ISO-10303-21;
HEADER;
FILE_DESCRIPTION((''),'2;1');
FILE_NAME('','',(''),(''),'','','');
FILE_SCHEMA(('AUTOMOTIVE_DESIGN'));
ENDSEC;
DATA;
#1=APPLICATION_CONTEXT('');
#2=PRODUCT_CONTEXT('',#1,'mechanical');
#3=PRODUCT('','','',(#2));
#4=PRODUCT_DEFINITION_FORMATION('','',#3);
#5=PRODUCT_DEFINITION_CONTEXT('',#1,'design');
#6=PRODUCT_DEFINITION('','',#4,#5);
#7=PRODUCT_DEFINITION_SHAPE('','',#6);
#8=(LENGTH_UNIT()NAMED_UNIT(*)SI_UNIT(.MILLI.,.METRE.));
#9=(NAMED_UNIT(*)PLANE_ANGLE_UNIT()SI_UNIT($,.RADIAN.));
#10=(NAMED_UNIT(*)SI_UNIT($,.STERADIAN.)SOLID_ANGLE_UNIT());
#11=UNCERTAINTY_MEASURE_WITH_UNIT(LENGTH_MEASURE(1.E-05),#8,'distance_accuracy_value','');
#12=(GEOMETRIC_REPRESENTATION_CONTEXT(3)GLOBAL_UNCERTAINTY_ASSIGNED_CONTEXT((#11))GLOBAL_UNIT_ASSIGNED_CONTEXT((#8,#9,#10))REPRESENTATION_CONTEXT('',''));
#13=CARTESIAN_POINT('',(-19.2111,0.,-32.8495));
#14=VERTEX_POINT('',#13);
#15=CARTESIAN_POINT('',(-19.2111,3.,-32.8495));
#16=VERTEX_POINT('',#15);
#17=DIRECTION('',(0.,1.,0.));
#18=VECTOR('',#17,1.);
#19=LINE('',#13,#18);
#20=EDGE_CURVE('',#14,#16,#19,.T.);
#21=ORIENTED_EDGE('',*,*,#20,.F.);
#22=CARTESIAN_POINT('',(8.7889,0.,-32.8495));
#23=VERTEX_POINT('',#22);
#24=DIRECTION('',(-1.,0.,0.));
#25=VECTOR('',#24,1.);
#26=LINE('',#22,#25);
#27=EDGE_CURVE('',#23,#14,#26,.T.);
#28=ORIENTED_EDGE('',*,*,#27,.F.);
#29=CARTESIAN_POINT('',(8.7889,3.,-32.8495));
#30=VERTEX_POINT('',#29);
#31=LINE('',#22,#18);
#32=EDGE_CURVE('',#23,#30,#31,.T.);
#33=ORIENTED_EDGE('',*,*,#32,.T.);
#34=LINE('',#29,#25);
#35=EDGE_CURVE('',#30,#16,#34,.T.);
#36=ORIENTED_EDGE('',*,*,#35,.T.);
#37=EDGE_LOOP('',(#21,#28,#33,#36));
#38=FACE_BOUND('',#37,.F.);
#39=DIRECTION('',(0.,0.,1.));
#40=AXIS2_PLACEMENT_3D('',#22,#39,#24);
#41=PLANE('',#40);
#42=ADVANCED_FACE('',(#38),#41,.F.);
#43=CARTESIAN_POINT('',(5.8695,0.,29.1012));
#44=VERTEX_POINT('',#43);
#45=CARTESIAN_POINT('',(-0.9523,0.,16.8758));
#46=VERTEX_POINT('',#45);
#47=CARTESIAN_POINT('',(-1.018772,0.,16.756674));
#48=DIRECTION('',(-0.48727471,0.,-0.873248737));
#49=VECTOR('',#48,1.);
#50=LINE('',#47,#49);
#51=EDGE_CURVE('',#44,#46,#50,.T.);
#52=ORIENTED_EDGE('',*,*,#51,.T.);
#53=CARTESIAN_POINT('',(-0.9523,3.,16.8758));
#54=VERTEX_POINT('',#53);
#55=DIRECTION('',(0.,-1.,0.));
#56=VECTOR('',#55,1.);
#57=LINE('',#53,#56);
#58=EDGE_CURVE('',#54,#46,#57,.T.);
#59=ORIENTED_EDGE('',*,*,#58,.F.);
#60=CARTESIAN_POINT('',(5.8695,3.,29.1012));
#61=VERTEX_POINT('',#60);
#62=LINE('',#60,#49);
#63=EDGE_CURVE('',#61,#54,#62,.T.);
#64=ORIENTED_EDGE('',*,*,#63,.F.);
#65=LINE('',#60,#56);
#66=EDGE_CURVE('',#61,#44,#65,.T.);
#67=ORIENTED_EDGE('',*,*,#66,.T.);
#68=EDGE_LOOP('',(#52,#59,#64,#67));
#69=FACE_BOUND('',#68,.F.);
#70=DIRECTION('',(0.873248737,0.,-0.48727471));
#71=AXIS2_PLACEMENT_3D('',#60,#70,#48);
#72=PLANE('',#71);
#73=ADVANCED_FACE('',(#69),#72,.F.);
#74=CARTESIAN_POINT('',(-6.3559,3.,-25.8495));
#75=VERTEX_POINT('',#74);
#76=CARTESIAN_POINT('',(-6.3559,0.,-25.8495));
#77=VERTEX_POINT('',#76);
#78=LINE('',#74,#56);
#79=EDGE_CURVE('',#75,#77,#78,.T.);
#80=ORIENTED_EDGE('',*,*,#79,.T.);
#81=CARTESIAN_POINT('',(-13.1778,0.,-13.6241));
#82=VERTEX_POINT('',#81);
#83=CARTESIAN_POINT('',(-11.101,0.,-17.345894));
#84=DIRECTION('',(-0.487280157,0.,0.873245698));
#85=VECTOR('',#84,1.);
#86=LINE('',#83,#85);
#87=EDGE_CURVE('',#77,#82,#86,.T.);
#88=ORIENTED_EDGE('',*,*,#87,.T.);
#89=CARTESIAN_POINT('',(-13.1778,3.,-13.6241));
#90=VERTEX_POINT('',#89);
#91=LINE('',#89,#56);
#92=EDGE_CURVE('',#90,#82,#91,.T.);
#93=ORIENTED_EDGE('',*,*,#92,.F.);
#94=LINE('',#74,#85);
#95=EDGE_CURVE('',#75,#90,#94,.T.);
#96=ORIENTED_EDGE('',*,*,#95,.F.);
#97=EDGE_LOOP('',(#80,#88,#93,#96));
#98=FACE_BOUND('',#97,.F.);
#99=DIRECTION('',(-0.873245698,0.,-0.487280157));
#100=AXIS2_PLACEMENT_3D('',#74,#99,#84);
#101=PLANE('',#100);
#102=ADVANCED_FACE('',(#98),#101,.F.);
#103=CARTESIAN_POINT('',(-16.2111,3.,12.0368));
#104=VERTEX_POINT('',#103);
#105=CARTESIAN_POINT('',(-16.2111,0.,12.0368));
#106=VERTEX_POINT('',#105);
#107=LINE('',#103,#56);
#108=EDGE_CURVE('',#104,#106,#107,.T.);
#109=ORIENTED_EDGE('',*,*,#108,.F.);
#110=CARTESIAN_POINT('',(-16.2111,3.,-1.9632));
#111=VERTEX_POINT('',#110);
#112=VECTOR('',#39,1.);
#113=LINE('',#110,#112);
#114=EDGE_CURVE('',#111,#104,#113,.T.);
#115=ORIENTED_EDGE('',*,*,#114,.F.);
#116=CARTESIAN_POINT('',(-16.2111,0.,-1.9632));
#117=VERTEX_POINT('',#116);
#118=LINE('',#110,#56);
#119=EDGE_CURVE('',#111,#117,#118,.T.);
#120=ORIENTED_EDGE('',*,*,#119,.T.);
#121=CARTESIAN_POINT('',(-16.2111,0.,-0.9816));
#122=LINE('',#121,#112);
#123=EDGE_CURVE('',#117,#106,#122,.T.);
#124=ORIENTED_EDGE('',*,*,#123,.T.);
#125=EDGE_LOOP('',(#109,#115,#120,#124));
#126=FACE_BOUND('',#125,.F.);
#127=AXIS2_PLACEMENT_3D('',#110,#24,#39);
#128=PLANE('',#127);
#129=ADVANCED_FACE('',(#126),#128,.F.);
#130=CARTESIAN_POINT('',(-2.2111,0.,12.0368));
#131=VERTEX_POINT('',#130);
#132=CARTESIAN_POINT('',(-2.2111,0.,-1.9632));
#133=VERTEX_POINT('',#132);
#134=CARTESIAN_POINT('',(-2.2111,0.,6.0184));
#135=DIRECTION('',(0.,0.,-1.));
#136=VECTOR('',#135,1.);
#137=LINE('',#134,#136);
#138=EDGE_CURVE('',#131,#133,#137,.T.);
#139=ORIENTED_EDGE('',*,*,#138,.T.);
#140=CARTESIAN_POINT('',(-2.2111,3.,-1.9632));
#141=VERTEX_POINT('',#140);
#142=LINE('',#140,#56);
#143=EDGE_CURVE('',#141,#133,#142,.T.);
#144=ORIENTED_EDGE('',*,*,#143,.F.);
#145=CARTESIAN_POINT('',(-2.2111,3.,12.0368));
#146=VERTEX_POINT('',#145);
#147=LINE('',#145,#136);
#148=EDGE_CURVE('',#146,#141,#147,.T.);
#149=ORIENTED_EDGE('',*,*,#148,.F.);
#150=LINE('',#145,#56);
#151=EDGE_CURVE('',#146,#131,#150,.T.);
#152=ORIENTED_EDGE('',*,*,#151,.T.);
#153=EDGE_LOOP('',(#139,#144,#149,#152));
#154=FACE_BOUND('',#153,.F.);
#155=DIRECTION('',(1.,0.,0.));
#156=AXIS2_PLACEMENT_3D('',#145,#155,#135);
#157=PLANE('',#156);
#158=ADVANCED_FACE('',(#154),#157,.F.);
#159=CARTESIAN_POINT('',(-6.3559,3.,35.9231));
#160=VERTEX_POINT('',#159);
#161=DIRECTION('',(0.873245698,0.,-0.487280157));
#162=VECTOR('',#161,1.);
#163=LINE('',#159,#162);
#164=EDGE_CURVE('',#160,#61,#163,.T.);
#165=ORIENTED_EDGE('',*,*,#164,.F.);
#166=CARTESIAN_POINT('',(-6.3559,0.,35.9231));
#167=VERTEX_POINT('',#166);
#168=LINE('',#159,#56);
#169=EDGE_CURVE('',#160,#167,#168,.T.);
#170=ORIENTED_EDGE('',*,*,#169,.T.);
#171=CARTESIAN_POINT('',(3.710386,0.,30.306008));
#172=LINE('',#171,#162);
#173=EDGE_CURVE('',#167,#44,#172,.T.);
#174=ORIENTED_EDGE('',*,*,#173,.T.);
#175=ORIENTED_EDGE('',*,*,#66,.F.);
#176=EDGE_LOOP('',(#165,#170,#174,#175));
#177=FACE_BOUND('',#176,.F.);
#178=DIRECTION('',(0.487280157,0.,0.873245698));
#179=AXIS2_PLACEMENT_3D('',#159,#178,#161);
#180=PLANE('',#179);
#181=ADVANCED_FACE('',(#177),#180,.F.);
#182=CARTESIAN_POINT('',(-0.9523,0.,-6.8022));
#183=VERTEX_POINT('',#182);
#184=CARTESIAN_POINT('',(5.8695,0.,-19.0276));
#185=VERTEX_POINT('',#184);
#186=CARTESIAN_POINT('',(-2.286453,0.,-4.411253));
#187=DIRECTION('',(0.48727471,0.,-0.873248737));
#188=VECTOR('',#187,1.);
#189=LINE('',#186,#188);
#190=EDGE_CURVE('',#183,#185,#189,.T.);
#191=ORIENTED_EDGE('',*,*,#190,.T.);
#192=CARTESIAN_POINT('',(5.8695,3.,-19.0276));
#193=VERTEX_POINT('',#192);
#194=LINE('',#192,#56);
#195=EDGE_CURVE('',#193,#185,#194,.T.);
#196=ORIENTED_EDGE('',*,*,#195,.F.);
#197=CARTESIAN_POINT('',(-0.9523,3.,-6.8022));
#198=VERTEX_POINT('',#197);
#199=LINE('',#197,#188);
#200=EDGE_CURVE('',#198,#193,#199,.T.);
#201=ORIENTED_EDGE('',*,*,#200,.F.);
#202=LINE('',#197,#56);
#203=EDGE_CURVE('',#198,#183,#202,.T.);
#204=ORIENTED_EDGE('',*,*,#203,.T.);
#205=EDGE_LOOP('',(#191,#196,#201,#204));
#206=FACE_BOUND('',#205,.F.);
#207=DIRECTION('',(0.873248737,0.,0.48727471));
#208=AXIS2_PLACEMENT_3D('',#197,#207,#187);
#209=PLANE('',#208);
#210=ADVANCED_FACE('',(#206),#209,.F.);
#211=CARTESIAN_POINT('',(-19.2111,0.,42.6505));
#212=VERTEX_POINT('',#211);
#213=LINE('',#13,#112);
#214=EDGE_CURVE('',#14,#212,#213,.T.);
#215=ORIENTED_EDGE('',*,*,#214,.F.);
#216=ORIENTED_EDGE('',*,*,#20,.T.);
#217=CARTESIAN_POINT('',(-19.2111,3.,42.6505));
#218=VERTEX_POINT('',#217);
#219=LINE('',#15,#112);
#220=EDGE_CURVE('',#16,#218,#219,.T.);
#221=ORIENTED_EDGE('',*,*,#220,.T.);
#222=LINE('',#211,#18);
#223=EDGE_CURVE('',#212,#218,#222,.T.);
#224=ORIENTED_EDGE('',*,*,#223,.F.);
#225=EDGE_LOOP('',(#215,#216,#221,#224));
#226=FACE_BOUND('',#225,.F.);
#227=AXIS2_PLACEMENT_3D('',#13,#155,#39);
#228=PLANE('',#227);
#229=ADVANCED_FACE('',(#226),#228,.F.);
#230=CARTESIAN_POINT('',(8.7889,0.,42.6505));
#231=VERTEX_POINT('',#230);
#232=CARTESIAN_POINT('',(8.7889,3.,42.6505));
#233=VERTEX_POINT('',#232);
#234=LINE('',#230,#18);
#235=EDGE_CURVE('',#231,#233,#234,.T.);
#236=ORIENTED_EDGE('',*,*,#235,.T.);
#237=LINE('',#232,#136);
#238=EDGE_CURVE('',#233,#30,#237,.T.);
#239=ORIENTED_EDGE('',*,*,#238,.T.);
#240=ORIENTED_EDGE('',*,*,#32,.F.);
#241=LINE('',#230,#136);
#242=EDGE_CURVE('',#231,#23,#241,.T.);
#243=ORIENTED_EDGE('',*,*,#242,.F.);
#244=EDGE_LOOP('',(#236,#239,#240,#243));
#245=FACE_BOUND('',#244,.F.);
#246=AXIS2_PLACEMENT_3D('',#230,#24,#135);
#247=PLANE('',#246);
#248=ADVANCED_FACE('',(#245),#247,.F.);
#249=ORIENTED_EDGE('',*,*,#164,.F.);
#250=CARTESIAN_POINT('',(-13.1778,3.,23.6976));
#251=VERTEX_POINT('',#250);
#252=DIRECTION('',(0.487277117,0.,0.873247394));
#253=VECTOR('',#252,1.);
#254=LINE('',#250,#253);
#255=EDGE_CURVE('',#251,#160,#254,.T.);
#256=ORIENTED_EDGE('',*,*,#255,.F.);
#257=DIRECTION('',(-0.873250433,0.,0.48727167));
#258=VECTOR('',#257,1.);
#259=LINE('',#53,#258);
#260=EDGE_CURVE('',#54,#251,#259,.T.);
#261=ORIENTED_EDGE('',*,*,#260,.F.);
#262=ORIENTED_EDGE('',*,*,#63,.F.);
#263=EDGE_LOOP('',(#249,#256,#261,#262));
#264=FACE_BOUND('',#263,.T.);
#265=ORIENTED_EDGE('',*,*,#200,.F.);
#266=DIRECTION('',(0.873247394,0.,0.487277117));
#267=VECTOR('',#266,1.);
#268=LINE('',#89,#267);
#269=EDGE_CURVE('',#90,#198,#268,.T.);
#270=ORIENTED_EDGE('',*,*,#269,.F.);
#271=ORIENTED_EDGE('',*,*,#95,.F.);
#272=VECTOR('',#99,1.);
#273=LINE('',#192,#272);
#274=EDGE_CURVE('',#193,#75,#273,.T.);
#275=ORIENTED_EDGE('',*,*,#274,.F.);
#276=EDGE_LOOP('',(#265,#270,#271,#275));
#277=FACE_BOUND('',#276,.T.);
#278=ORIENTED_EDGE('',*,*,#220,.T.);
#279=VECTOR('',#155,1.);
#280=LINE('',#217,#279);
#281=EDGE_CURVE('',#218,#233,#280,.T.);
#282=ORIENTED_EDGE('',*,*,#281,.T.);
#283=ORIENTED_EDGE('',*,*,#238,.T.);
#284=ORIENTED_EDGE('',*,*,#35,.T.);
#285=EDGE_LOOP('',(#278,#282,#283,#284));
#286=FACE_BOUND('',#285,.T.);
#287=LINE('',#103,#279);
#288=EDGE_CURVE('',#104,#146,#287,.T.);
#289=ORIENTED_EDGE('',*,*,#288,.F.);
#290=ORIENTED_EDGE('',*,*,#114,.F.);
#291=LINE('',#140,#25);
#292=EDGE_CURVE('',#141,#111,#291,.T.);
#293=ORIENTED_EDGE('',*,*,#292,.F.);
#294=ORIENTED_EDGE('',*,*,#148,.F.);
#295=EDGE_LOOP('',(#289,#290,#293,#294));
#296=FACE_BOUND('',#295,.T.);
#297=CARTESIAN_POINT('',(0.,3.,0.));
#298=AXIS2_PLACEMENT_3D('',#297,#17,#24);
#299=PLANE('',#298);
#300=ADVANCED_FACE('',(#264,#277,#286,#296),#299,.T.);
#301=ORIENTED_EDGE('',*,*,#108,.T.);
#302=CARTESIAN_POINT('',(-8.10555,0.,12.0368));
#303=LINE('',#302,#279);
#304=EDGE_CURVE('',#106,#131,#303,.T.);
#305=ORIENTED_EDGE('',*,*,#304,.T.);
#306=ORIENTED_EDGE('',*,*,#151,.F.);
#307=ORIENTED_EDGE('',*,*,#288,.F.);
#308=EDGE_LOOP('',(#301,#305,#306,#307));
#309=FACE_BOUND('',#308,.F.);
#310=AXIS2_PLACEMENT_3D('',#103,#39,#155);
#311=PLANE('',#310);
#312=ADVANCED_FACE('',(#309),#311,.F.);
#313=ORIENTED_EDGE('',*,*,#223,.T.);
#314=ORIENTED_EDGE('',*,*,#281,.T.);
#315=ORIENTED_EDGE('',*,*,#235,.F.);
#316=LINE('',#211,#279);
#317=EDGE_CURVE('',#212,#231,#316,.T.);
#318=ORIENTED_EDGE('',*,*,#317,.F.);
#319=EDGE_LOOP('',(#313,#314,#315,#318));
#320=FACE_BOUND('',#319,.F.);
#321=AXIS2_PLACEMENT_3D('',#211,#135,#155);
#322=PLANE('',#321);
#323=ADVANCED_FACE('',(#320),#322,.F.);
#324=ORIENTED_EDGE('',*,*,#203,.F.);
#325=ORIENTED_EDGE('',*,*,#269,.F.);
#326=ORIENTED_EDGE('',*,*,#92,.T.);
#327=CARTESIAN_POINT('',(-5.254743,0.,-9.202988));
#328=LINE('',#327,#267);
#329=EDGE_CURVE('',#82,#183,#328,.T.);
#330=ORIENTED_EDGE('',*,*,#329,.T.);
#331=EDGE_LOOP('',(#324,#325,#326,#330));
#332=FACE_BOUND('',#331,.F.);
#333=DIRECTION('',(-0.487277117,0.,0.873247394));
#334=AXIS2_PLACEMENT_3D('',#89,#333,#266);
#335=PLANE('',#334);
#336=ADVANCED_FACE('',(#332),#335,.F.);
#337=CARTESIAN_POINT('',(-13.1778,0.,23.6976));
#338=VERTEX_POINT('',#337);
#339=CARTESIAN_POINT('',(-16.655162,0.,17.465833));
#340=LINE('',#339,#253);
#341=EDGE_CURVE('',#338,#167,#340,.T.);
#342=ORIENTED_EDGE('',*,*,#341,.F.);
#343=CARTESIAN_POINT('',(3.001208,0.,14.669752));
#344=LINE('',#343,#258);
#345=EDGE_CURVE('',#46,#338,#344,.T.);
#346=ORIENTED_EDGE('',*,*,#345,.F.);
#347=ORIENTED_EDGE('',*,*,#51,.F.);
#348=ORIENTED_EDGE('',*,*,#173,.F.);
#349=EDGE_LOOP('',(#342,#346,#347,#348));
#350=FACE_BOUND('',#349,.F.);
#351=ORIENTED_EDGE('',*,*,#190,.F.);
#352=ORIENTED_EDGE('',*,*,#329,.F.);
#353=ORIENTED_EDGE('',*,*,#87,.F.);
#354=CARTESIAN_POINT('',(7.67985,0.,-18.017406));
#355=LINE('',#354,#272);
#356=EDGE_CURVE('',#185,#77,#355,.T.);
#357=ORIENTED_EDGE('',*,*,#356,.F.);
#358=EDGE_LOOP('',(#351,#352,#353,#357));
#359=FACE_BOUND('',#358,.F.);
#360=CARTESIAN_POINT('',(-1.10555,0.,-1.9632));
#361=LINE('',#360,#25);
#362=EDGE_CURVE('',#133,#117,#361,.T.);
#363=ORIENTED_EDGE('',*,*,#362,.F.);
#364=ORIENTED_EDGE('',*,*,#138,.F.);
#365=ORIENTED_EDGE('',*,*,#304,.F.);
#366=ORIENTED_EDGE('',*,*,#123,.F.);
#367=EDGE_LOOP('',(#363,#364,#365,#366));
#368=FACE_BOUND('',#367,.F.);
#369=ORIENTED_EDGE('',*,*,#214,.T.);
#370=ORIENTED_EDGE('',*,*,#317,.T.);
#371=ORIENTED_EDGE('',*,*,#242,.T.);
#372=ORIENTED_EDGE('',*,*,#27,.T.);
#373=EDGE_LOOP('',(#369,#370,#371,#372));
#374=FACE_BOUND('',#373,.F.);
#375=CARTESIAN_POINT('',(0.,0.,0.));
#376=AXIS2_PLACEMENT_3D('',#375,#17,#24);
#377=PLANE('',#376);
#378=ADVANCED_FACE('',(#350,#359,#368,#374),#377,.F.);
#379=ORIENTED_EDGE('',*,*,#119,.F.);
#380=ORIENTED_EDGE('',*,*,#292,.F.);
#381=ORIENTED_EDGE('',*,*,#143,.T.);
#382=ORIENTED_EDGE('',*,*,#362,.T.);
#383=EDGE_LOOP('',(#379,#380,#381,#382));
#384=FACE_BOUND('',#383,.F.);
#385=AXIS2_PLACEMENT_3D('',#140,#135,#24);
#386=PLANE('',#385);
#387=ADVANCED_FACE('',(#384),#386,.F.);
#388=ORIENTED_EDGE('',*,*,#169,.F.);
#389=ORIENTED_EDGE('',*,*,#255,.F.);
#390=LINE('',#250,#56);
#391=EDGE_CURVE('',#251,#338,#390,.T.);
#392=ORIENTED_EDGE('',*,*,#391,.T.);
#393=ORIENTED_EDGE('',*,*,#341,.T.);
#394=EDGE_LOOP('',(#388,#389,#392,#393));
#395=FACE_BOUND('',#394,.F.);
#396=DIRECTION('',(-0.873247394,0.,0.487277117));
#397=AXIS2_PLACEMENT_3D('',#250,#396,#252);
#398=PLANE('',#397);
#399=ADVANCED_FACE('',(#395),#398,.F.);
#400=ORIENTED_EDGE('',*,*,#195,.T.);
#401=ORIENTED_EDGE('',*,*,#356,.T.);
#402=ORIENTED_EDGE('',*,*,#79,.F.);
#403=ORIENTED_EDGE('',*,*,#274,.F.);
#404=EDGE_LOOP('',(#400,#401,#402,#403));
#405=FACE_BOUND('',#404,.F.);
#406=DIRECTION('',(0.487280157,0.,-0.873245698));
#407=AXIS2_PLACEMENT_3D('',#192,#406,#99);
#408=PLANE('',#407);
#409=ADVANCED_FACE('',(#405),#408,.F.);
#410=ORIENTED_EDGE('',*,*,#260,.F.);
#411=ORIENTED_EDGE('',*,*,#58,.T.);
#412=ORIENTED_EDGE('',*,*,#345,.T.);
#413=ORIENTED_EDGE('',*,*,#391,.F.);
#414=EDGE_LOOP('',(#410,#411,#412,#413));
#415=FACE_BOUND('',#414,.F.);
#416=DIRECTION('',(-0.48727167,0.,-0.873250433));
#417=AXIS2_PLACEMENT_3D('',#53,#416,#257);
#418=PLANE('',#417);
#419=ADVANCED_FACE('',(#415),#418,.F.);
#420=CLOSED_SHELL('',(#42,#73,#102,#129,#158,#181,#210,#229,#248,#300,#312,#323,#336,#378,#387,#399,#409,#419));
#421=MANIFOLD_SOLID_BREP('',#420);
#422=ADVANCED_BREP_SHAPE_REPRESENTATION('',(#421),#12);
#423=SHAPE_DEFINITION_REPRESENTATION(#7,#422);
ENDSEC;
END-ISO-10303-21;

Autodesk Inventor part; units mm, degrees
ref_plane "YZ Plane" through (0, 0, 0) normal (1, 0, 0) x (0, 1, 0)
ref_plane "XZ Plane" through (0, 0, 0) normal (0, 1, 0) x (-1, 0, 0)
ref_plane "XY Plane" through (0, 0, 0) normal (0, 0, 1) x (1, 0, 0)
sketch "Sketch2" plane through (0, 0, 0) normal (0, 1, 0) x (-1, 0, 0)
  line L0 (19.2111, 42.6505) -> (-8.7889, 42.6505)
  line L1 (-8.7889, 42.6505) -> (-8.7889, -32.8495)
  line L2 (-8.7889, -32.8495) -> (19.2111, -32.8495)
  line L3 (19.2111, -32.8495) -> (19.2111, 42.6505)
  dimension "d11" = 75.5
  dimension "d41" = 28
extrude "Extrusion3" add sketch "Sketch2" along normal blind 3
sketch "Sketch6" plane through (0, 3, 0) normal (0, 1, 0) x (1, 0, 0)
  line L0 (-16.2111, -12.0368) -> (-2.2111, -12.0368)
  line L1 (-2.2111, -12.0368) -> (-2.2111, 1.9632)
  line L2 (-2.2111, 1.9632) -> (-16.2111, 1.9632)
  line L3 (-16.2111, 1.9632) -> (-16.2111, -12.0368)
  line L4 (-6.3559, -35.9231) -> (5.8695, -29.1012)
  line L5 (5.8695, -29.1012) -> (-0.9523, -16.8758)
  line L6 (-0.9523, -16.8758) -> (-13.1778, -23.6976)
  line L7 (-13.1778, -23.6976) -> (-6.3559, -35.9231)
  line L8 (-0.9523, 6.8022) -> (5.8695, 19.0276)
  line L9 (5.8695, 19.0276) -> (-6.3559, 25.8495)
  line L10 (-6.3559, 25.8495) -> (-13.1778, 13.6241)
  line L11 (-13.1778, 13.6241) -> (-0.9523, 6.8022)
  circle A0 centre (34.6298, -5.0368) radius 37.5 construction
  line L12 (-19.2111, 32.8495) -> (-19.2111, -42.6505) projected
  line L13 (8.7889, 32.8495) -> (-19.2111, 32.8495) projected
  point P0 (0, 0)
  dimension "d30" = 75
  dimension "d31" = 14
  dimension "d32" = 14
  dimension "d33" = 14
  dimension "d34" = 14
  dimension "d35" = 14
  dimension "d36" = 14
  dimension "d37" = 5
  dimension "d38" = 5
  dimension "d39" = 3
  dimension "d40" = 7
extrude "Extrusion4" cut sketch "Sketch6" against normal through all
properties part number "k2_t_top"
